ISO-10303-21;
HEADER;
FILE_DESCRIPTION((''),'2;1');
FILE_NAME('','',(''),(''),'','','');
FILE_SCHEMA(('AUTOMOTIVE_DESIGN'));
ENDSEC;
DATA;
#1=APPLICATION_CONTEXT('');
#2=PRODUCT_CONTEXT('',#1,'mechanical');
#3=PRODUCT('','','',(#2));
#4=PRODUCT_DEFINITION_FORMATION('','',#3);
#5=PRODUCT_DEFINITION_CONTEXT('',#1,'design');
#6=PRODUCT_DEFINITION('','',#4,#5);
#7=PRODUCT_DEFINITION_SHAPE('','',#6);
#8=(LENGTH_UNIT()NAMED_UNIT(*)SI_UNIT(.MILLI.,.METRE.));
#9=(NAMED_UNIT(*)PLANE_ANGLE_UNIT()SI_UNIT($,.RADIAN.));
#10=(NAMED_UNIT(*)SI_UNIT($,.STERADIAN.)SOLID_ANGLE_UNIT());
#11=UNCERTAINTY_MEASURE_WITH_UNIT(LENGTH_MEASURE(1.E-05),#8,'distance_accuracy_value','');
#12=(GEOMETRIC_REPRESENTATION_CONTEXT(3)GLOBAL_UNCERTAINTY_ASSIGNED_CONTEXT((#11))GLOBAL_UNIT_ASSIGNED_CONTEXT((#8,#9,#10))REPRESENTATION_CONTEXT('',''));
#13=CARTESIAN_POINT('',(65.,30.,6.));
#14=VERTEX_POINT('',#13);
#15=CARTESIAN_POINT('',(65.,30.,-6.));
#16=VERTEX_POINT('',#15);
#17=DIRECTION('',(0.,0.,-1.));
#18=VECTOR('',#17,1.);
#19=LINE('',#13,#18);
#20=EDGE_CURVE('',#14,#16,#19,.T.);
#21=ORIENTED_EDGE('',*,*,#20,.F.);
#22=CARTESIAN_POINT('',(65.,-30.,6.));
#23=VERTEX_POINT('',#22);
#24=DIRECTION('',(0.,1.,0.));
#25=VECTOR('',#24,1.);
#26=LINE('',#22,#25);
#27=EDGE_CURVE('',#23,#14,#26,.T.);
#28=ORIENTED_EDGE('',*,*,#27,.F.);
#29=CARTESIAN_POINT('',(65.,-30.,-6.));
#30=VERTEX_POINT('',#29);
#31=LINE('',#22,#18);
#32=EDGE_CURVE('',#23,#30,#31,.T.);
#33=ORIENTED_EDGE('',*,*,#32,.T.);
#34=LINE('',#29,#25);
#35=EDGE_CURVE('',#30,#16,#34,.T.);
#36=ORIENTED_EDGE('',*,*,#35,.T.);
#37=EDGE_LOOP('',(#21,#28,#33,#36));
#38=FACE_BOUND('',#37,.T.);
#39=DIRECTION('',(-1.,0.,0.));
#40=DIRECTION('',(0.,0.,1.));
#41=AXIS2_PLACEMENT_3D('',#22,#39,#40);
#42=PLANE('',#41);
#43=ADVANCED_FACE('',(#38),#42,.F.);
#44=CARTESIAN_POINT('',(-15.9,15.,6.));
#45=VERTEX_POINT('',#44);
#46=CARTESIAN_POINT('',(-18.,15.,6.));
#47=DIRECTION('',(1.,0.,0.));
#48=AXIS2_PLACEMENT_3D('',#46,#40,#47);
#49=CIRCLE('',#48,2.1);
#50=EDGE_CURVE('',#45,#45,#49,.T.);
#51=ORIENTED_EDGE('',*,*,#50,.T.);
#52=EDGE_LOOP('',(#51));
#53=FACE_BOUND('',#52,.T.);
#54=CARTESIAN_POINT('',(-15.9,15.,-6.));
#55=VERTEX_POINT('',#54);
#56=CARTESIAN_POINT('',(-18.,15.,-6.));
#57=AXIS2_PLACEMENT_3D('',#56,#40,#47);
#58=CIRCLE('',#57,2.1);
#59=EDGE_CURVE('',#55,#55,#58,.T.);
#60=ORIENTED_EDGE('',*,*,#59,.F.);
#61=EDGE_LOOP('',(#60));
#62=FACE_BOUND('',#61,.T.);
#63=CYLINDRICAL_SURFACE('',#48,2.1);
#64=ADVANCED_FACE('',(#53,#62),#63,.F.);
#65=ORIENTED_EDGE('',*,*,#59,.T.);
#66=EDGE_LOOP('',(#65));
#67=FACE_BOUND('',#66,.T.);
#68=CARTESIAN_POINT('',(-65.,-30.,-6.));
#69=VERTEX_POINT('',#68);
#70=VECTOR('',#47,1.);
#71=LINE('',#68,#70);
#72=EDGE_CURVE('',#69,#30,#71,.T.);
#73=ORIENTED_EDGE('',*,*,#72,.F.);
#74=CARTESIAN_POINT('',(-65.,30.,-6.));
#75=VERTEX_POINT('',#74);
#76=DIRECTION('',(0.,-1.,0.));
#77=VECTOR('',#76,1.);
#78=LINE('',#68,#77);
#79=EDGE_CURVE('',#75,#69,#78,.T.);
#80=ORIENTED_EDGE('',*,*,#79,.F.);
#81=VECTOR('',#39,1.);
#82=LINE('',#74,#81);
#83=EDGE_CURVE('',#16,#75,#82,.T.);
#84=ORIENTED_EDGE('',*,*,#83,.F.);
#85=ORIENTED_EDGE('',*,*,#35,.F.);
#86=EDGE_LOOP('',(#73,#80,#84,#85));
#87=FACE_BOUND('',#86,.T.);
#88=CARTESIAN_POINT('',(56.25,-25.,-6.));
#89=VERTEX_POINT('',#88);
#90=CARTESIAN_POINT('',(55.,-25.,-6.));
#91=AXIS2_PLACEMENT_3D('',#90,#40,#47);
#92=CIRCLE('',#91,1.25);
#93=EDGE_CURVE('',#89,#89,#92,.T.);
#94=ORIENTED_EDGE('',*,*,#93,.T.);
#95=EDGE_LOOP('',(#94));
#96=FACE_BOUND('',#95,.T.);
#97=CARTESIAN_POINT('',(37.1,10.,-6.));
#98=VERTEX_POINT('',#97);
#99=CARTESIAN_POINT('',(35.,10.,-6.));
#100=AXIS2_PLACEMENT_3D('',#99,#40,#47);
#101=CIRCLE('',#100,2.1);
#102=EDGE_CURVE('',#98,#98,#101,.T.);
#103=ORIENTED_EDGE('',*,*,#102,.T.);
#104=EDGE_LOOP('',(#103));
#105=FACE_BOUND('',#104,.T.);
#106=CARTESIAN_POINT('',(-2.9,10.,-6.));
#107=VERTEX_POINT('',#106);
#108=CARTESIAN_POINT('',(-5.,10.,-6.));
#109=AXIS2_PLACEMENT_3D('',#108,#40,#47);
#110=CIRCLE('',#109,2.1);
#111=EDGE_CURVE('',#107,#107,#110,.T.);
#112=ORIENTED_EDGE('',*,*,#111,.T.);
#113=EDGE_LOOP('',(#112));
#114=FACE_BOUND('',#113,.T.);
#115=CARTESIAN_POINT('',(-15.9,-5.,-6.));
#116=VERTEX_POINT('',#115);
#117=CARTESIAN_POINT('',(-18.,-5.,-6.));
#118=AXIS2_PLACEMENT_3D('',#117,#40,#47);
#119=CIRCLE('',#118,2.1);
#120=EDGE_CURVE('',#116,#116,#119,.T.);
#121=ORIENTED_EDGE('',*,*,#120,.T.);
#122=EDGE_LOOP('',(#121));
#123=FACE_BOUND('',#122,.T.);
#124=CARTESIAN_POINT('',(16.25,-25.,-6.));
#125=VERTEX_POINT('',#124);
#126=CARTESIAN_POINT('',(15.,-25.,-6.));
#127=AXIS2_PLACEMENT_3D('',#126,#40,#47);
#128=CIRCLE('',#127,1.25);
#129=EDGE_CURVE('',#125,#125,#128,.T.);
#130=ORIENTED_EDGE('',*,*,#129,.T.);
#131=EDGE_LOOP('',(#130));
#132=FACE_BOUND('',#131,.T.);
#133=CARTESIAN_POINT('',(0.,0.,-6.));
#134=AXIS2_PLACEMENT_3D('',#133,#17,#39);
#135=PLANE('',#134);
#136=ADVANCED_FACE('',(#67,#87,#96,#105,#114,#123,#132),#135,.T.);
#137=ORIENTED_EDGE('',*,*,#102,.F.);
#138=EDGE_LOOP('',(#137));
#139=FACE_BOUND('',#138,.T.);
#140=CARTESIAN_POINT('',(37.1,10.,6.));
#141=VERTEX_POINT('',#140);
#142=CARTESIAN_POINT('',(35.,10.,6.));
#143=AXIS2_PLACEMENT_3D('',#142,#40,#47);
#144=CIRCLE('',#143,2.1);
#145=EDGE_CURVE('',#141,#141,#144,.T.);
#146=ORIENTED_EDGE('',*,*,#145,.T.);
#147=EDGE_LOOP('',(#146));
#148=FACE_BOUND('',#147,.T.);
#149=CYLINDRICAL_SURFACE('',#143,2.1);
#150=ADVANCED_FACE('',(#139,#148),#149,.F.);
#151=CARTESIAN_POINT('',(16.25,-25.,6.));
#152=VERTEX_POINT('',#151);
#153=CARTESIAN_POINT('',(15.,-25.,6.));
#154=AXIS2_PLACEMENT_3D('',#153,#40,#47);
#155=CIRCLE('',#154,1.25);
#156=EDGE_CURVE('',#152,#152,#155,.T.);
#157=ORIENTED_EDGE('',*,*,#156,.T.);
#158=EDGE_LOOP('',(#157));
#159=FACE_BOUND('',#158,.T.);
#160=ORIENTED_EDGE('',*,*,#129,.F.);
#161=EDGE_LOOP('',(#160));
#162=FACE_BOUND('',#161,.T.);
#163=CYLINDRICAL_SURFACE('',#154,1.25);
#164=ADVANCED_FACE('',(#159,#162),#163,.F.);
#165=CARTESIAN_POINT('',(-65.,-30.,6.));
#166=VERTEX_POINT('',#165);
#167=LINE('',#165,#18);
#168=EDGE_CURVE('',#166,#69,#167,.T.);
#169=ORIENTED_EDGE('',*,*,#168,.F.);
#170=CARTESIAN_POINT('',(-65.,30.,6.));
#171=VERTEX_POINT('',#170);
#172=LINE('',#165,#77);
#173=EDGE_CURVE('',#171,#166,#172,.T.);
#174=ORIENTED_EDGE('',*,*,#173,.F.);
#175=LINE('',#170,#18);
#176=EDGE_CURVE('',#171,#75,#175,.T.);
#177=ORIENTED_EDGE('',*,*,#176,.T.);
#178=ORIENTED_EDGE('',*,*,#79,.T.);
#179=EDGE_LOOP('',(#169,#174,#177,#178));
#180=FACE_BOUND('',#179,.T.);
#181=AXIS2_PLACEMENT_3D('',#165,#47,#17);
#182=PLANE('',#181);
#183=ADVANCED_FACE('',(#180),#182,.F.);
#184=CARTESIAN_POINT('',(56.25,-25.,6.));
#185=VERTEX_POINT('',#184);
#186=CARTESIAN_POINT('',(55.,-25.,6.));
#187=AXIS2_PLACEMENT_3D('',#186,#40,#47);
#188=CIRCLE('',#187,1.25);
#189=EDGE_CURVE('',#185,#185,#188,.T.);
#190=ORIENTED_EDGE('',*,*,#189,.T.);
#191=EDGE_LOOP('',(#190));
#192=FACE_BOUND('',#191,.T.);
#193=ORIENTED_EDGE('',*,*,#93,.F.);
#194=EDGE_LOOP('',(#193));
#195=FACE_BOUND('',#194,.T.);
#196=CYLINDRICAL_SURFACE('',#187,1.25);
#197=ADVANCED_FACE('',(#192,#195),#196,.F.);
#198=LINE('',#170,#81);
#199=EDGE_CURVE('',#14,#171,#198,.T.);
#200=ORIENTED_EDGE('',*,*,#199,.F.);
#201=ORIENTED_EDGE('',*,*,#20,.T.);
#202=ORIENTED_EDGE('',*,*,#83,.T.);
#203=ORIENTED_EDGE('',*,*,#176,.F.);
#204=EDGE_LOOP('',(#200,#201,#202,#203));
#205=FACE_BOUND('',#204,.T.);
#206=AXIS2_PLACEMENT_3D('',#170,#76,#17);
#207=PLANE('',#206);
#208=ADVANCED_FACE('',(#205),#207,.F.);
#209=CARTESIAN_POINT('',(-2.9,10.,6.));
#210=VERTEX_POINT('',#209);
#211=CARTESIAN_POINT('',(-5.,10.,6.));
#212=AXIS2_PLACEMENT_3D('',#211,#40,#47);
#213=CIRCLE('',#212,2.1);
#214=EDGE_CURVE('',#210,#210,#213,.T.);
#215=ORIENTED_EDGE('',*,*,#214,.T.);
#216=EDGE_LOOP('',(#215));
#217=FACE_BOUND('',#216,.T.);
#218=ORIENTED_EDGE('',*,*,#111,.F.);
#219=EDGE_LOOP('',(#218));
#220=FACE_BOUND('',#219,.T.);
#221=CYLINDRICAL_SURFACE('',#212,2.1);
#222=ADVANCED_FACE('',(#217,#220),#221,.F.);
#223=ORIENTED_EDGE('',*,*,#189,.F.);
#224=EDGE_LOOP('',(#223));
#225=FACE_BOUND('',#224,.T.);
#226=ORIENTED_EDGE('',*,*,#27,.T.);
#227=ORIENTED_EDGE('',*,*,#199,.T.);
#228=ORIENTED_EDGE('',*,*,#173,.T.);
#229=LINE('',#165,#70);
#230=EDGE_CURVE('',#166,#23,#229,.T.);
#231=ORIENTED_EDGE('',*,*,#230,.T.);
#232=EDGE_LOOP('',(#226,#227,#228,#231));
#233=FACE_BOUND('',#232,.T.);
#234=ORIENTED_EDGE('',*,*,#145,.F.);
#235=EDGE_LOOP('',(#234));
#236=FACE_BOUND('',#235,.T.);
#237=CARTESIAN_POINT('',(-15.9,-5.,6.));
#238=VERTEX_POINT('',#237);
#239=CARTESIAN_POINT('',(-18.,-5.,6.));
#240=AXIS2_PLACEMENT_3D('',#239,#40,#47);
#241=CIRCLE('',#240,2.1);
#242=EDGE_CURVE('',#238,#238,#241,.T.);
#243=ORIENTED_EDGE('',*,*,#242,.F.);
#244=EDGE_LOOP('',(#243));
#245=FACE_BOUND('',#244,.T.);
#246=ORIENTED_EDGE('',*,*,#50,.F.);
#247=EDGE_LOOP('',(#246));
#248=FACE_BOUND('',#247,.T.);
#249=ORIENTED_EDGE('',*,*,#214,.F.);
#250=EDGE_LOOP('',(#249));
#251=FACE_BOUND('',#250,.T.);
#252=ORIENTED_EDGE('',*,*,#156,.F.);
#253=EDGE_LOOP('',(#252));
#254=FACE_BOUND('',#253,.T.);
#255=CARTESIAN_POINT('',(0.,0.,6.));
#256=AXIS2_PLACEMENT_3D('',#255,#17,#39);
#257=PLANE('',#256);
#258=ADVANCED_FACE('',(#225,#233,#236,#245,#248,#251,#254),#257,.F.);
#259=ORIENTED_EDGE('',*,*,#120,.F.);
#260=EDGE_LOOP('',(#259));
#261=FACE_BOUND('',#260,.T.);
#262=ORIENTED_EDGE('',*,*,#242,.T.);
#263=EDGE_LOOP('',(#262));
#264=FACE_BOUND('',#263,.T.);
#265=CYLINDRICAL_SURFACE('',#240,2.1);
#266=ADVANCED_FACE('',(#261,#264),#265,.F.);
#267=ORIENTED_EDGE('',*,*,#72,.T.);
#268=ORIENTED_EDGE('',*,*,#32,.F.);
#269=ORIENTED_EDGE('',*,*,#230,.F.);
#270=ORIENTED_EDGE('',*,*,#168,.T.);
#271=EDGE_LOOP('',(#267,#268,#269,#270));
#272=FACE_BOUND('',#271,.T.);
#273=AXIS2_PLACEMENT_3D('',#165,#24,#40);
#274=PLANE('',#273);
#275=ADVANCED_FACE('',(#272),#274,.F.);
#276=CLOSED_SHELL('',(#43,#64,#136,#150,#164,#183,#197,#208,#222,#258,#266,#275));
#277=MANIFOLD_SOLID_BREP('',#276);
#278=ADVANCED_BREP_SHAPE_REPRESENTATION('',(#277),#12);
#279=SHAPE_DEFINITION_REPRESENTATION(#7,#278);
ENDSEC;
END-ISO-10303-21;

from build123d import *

# Parameters (mm, degrees)
SKETCH1_W             = 130
SKETCH1_H             = 60
BOSS_EXTRUDE1_DEPTH   = 6
M5X0_8_TAPPED_HOLE1_D = 4.2
M3X0_5_TAPPED_HOLE1_D = 2.5


with BuildPart() as part:
    # Sketch1 → Boss-Extrude1 (new body, symmetric)
    with BuildSketch(Plane.XY):
        Rectangle(SKETCH1_W, SKETCH1_H)
    extrude(amount=BOSS_EXTRUDE1_DEPTH, both=True)

    # M5x0.8 Tapped Hole1 (through all)
    with Locations(Plane.XY.offset(6)):
        with Locations((-18, 15), (-18, -5), (-5, 10), (35, 10)):
            Hole(M5X0_8_TAPPED_HOLE1_D / 2)

    # M3x0.5 Tapped Hole1 (through all)
    with Locations(Plane.XY.offset(6)):
        with Locations((15, -25), (55, -25)):
            Hole(M3X0_5_TAPPED_HOLE1_D / 2)


solid = part.part
